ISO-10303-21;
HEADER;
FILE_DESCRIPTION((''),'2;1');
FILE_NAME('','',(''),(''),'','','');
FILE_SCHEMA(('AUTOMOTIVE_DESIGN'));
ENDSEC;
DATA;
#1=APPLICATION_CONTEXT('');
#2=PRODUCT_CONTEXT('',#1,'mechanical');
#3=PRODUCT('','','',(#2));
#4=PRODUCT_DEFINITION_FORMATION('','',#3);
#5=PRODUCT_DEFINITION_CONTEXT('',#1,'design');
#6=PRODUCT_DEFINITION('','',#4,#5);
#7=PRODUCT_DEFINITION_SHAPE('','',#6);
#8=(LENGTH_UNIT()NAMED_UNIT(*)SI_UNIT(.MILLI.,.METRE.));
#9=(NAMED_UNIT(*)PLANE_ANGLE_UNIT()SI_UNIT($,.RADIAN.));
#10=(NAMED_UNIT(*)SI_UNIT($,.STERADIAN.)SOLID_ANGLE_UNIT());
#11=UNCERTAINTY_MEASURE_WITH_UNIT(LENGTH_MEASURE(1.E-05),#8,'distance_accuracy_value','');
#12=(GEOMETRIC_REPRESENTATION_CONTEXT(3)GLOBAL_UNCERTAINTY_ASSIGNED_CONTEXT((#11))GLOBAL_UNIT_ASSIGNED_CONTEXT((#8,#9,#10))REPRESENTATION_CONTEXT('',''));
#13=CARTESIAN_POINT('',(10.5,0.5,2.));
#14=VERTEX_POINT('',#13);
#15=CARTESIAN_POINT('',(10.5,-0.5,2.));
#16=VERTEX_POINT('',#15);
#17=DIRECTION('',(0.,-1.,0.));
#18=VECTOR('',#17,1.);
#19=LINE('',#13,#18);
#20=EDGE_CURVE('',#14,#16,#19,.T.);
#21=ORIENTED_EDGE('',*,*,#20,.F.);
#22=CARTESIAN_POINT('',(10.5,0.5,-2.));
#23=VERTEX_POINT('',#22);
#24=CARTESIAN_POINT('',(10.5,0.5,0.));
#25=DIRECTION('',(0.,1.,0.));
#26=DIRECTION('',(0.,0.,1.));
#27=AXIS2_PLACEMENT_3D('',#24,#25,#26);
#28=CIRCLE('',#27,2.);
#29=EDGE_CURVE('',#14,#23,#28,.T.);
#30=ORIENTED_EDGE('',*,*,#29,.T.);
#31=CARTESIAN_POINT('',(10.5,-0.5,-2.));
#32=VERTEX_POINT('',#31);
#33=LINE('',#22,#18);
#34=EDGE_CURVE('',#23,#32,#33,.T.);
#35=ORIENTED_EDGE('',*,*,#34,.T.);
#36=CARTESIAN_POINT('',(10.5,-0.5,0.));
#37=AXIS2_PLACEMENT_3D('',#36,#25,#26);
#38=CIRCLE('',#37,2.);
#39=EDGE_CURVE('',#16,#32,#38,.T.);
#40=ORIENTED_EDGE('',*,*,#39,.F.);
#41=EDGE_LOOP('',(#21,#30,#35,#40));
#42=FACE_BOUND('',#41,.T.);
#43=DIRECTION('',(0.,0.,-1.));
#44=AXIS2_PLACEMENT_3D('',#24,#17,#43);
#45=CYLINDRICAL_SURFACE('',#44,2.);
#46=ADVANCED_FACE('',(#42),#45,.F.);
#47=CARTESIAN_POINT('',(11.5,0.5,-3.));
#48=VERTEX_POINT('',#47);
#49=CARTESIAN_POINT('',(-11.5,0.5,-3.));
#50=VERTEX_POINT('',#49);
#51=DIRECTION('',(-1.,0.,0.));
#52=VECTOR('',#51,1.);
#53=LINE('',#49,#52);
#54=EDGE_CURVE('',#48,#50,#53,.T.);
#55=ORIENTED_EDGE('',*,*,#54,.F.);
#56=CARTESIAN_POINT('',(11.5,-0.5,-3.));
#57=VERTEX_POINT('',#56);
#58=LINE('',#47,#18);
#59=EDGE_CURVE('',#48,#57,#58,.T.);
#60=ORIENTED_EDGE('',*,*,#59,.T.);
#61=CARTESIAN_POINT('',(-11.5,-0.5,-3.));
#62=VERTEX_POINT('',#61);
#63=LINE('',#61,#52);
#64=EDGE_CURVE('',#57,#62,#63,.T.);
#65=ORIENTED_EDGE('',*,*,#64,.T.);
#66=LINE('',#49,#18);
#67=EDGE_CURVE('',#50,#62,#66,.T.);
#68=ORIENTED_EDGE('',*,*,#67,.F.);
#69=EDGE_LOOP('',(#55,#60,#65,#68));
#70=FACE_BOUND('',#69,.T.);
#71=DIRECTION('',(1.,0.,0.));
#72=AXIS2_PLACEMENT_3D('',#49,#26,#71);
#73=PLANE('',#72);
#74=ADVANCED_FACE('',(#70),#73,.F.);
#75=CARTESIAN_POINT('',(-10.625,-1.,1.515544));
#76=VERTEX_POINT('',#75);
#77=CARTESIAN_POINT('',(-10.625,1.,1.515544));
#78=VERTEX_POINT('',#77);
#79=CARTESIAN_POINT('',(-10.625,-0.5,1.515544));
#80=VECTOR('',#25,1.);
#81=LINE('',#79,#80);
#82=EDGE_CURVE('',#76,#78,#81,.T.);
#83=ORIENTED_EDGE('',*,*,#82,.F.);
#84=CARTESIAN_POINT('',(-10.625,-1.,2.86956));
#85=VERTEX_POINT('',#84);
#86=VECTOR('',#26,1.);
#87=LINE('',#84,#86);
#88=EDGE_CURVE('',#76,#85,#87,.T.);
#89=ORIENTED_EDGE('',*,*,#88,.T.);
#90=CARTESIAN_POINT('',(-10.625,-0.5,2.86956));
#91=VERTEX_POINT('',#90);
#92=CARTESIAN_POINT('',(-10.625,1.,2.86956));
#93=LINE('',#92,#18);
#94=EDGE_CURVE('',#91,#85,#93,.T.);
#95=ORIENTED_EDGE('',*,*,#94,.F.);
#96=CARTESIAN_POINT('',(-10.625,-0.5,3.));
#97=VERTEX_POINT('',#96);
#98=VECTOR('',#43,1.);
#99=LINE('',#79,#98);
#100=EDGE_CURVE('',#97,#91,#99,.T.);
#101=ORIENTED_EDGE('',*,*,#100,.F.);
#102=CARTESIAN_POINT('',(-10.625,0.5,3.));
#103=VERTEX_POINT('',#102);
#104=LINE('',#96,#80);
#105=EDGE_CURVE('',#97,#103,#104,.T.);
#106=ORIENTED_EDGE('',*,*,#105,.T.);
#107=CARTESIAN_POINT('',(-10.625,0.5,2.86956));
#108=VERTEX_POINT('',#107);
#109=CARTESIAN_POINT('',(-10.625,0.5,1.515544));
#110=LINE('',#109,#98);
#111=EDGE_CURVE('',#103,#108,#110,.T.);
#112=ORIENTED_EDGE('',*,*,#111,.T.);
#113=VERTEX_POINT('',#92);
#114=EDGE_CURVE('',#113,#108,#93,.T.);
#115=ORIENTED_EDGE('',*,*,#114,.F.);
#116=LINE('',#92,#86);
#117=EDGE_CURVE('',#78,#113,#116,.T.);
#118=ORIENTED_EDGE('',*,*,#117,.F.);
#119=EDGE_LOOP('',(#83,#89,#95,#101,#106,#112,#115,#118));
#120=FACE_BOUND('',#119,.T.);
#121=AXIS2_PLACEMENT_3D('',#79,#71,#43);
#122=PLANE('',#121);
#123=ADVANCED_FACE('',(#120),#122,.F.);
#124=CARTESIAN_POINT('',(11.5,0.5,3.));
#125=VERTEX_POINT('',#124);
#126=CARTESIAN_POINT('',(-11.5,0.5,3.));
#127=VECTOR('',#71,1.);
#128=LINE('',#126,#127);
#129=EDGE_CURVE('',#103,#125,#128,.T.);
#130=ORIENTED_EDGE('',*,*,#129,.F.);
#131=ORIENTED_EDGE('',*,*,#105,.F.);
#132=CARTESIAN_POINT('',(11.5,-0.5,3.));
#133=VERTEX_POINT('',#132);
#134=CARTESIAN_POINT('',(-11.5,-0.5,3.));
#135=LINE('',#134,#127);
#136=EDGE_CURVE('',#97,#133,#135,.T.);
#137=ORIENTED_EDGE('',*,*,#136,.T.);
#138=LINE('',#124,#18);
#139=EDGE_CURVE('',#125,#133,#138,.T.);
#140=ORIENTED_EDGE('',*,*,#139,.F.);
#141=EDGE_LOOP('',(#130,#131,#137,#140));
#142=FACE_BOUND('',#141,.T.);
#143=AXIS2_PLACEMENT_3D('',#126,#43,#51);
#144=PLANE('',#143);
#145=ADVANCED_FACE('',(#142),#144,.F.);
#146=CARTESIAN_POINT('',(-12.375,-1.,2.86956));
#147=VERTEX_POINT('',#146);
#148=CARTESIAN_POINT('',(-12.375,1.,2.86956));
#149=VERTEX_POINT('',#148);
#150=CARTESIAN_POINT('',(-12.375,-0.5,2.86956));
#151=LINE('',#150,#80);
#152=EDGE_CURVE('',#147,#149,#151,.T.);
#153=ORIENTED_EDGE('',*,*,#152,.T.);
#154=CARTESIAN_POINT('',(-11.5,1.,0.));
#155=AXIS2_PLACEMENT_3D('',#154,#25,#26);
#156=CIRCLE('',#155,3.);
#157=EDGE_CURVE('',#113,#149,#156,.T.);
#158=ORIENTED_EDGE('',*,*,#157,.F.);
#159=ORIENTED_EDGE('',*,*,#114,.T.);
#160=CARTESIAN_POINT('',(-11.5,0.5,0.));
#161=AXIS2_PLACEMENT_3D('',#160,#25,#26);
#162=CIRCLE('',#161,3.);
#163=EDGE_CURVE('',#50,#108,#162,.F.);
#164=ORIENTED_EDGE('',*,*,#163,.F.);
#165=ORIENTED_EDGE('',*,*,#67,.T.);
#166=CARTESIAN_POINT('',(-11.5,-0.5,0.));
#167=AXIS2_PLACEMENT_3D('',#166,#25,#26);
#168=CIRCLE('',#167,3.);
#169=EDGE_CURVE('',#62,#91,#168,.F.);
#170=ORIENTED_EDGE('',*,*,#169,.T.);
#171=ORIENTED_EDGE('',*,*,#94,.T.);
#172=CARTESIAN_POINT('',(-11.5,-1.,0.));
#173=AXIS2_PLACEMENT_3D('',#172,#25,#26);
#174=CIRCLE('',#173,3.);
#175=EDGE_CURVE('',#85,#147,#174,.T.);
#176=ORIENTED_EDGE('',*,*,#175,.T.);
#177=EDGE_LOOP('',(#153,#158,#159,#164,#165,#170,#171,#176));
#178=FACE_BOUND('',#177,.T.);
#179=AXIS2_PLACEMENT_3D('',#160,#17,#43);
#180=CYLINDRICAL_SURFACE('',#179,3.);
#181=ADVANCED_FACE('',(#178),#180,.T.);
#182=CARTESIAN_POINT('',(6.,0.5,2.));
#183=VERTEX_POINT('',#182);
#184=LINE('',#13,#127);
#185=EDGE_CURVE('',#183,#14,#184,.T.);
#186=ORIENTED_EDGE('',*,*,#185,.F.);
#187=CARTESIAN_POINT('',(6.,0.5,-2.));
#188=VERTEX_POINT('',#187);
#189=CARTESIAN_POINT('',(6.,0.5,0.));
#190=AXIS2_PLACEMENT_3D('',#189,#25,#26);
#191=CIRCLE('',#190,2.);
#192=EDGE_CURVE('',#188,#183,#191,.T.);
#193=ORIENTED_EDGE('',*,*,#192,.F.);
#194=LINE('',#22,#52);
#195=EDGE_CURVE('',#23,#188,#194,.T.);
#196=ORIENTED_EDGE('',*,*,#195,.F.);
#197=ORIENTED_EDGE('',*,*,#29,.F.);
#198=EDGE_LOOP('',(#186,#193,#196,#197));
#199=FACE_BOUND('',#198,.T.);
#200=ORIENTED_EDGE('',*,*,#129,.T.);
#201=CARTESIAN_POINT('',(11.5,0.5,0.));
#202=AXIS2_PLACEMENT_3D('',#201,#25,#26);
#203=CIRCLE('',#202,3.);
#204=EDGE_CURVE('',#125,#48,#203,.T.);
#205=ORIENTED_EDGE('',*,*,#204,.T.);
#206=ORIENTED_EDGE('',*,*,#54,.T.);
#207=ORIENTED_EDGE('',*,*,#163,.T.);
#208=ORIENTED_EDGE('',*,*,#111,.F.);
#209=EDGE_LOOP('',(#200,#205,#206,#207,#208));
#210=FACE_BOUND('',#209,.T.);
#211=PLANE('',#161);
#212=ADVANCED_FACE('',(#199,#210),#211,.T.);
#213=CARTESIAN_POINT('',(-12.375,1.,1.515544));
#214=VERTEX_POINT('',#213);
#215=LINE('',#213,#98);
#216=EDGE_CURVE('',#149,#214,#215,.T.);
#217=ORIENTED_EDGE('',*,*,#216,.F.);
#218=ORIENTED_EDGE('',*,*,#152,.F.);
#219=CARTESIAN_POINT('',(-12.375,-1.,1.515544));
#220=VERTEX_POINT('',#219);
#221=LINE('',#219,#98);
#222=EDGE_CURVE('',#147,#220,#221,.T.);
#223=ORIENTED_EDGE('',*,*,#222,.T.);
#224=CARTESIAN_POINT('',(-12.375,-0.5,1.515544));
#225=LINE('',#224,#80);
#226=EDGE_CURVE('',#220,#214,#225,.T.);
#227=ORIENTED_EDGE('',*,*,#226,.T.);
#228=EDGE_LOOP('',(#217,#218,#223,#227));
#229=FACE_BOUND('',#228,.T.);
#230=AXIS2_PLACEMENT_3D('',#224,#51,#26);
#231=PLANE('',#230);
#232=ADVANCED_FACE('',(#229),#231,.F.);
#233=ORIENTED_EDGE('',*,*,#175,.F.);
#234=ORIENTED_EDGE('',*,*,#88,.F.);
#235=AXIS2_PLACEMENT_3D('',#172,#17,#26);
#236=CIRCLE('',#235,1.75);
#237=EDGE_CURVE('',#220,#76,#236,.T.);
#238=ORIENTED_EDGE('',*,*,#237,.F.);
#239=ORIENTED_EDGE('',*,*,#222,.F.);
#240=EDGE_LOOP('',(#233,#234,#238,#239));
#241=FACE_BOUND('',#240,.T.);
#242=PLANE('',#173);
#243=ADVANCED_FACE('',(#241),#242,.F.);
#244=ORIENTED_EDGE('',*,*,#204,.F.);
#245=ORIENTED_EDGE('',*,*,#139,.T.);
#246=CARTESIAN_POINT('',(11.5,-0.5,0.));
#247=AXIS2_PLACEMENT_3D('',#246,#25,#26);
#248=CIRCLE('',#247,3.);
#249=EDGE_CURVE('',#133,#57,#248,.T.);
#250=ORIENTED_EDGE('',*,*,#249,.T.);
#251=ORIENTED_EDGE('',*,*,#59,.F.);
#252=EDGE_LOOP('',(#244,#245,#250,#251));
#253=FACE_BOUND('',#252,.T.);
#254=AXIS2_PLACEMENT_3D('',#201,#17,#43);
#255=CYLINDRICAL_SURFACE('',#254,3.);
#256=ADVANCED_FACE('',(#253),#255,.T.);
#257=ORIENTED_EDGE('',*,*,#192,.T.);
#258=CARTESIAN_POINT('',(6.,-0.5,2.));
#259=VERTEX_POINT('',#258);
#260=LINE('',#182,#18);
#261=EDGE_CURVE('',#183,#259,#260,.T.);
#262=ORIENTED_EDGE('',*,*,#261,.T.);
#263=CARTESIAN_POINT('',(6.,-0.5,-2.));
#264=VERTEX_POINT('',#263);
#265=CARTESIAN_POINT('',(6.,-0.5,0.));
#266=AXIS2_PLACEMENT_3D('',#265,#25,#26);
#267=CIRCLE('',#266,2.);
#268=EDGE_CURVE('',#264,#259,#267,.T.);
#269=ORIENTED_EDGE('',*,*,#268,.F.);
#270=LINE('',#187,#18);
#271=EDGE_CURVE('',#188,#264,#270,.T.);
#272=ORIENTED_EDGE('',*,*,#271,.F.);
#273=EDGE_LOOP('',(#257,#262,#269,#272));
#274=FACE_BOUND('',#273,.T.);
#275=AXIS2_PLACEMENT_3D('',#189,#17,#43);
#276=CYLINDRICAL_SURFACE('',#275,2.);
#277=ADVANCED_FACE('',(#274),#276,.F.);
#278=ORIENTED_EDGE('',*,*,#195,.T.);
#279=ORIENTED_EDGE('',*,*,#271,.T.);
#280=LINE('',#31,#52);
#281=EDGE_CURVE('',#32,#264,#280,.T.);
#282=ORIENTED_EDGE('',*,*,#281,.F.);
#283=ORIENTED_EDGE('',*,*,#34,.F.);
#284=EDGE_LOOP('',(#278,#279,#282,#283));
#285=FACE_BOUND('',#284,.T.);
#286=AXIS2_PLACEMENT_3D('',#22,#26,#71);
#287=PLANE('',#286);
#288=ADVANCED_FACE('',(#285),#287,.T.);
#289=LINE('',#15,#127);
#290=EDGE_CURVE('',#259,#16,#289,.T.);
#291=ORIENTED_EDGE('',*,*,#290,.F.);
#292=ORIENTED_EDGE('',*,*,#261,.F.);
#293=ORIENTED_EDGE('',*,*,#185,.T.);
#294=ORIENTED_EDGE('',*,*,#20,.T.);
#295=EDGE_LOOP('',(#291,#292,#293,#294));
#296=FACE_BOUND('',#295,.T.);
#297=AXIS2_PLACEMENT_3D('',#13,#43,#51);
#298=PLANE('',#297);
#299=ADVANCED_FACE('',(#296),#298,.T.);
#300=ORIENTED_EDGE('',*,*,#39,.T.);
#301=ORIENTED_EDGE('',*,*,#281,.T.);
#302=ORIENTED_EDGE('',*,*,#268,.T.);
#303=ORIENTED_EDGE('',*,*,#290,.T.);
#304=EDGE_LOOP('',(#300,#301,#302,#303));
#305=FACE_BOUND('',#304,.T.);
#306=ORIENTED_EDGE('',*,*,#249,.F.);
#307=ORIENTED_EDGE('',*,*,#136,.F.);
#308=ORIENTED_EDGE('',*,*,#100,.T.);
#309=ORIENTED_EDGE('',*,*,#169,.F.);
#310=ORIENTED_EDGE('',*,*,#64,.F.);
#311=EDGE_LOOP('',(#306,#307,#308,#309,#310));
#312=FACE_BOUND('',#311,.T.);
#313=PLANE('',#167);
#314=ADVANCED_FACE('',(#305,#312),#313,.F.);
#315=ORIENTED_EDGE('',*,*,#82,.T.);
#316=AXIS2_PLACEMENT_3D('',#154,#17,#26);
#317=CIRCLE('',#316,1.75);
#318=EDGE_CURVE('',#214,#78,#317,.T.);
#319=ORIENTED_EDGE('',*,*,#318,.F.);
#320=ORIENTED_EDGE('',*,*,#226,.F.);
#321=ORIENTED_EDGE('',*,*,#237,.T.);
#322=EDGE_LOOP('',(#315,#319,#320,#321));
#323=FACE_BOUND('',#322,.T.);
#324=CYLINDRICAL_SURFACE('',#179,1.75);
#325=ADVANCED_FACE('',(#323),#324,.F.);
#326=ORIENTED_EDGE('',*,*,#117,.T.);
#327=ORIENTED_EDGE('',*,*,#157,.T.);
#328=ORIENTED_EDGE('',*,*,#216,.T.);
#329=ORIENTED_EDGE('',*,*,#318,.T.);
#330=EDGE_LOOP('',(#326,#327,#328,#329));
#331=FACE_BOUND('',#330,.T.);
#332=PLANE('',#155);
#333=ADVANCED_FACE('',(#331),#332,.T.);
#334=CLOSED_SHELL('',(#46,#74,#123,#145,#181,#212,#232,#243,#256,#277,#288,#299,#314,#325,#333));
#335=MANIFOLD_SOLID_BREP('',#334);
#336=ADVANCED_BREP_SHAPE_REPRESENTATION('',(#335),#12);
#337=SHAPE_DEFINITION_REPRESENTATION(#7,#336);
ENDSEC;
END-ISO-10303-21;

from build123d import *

# Parameters (mm, degrees)
SCHIZZO1_R                    = 1.75
ESTRUSIONE_ESTRUSIONE1_DEPTH  = 0.5
TAGLIO_ESTRUSIONE2_DEPTH      = 15.81553239
TAGLIO_ESTRUSIONE2_DEPTH_BACK = 15.81553239
ESTRUSIONE_ESTRUSIONE2_DEPTH  = 1


with BuildPart() as part:
    # Schizzo1 → Estrusione-Estrusione1 (new, symmetric)
    with BuildSketch(Plane(origin=(0, 0, 0), x_dir=(1, 0, 0), z_dir=(0, 1, 0))):
        with BuildLine():
            Line((-11.5, 3), (11.5, 3))
            ThreePointArc((11.5, 3), (14.5, 0), (11.5, -3))
            Line((11.5, -3), (-11.5, -3))
            ThreePointArc((-11.5, -3), (-14.5, 0), (-11.5, 3))
        make_face()
        with Locations(Location((-11.5, 0, 0), (0, 0, 270))):
            Circle(SCHIZZO1_R, mode=Mode.SUBTRACT)
        with BuildLine():
            Line((10.5, -2), (6, -2))
            ThreePointArc((6, -2), (4, 0), (6, 2))
            Line((6, 2), (10.5, 2))
            ThreePointArc((10.5, 2), (12.5, 0), (10.5, -2))
        make_face(mode=Mode.SUBTRACT)
    extrude(amount=ESTRUSIONE_ESTRUSIONE1_DEPTH, both=True)

    # Schizzo2 → Taglio-Estrusione2 (cut, two sides: drawn at the far end of the back side and taken through both)
    with BuildSketch(Plane(origin=(0, 0, 0), x_dir=(1, 0, 0), z_dir=(0, 1, 0)).offset(-TAGLIO_ESTRUSIONE2_DEPTH_BACK)):
        with BuildLine():
            Line((-10.625, -1.515544457), (-10.625, -3))
            Line((-10.625, -3), (-11.5, -3))
            ThreePointArc((-11.5, -3), (-11.942334595, -2.967210829), (-12.375, -2.869560071))
            Line((-12.375, -2.869560071), (-12.375, -1.515544457))
            ThreePointArc((-12.375, -1.515544457), (-11.5, -1.75), (-10.625, -1.515544457))
        make_face()
    extrude(amount=TAGLIO_ESTRUSIONE2_DEPTH + TAGLIO_ESTRUSIONE2_DEPTH_BACK, mode=Mode.SUBTRACT)

    # Schizzo4 → Estrusione-Estrusione2 (add, symmetric)
    with BuildSketch(Plane(origin=(0, 0, 0), x_dir=(1, 0, 0), z_dir=(0, 1, 0))):
        with BuildLine():
            Line((-10.625, -2.869560071), (-10.625, -1.515544457))
            ThreePointArc((-10.625, -1.515544457), (-11.5, 1.75), (-12.375, -1.515544457))
            Line((-12.375, -1.515544457), (-12.375, -2.869560071))
            ThreePointArc((-12.375, -2.869560071), (-11.5, 3), (-10.625, -2.869560071))
        make_face()
    extrude(amount=ESTRUSIONE_ESTRUSIONE2_DEPTH, both=True)


solid = part.part
